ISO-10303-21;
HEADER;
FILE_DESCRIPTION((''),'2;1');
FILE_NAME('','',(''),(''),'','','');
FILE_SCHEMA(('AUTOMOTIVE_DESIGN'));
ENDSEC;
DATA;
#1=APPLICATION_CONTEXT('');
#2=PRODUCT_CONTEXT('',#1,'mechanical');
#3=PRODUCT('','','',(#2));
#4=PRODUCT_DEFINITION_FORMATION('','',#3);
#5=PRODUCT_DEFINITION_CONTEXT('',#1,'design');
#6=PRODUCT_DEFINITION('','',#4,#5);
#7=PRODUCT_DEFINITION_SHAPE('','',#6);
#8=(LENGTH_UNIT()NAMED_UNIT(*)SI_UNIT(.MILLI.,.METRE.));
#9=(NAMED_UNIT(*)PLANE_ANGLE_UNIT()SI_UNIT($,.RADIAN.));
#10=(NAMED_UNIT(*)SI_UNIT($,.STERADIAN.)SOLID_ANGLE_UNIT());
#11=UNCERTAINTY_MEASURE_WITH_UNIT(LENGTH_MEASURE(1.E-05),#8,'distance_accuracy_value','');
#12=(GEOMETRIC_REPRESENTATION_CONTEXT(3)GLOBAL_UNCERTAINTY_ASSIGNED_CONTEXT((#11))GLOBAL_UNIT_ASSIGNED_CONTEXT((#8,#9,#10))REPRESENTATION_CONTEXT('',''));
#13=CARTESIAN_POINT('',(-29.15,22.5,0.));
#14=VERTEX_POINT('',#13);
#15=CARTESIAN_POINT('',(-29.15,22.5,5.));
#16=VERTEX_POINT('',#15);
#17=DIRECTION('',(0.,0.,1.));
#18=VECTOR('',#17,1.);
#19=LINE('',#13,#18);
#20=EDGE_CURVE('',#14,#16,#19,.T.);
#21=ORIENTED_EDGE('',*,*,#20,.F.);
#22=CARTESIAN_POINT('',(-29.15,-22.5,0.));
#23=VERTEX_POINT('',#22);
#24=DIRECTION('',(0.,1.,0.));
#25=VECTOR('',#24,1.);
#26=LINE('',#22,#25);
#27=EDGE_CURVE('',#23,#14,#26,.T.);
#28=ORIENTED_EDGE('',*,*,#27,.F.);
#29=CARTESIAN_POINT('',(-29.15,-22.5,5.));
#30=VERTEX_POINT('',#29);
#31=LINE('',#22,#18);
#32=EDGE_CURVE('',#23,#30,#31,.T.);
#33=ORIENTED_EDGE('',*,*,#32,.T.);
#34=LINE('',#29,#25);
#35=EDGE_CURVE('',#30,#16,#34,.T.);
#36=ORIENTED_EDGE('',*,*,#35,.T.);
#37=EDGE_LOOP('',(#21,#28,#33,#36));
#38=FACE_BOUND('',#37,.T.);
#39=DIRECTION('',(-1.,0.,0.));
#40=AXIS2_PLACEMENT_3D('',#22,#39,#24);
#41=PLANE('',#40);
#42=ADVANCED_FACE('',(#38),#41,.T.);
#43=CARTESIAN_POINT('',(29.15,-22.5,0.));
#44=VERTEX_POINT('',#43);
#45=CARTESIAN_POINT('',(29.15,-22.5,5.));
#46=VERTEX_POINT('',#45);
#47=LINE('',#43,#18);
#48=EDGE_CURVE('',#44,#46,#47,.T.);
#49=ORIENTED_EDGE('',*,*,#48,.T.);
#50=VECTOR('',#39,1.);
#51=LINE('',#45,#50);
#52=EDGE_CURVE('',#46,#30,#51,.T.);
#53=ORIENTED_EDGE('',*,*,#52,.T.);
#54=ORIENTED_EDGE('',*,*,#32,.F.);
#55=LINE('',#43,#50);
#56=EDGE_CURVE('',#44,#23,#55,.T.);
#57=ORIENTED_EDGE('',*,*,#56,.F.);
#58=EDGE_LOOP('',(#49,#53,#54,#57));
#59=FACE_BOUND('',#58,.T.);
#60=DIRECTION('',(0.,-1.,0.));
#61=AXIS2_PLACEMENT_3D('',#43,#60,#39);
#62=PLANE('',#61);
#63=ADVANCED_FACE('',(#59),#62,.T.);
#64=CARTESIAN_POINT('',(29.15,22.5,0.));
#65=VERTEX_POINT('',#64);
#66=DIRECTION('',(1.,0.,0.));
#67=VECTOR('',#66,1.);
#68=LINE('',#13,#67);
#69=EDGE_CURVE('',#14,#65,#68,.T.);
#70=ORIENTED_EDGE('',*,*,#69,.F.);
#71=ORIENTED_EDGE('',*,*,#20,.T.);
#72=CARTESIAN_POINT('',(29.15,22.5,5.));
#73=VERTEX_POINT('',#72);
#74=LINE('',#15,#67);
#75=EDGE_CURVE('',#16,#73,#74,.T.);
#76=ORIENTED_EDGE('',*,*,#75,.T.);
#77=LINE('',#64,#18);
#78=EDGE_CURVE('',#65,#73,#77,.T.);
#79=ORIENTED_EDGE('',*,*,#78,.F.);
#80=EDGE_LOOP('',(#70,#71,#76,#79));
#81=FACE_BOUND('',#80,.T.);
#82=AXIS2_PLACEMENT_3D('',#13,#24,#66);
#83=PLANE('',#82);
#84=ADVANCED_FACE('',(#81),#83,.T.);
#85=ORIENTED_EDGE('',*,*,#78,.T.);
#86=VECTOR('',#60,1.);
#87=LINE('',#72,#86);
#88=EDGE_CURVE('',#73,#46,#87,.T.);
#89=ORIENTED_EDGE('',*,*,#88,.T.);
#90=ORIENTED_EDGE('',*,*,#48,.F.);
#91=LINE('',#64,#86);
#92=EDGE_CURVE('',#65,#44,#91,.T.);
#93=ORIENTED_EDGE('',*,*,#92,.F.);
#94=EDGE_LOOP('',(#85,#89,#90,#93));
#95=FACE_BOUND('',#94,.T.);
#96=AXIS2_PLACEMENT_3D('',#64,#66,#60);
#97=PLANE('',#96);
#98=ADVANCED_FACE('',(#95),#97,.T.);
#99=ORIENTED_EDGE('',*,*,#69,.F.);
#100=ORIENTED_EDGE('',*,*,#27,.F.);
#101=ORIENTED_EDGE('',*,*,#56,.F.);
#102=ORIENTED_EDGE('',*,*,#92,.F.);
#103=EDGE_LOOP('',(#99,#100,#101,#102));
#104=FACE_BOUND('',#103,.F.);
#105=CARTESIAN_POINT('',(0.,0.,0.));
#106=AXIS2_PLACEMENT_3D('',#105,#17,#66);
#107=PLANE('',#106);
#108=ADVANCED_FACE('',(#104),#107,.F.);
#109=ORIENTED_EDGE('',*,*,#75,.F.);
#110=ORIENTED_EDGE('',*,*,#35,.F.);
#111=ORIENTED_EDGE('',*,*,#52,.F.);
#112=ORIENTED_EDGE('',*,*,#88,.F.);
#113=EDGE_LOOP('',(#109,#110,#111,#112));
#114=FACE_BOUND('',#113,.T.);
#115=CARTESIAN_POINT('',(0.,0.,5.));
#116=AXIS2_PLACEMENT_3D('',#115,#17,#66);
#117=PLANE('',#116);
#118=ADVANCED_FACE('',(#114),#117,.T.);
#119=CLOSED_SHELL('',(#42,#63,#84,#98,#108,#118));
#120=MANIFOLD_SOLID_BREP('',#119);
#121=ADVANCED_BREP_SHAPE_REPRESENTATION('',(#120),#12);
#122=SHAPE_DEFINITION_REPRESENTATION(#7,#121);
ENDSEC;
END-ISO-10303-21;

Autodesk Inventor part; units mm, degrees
ref_plane "YZ Plane" through (0, 0, 0) normal (1, 0, 0) x (0, 1, 0)
ref_plane "XZ Plane" through (0, 0, 0) normal (0, 1, 0) x (-1, 0, 0)
ref_plane "XY Plane" through (0, 0, 0) normal (0, 0, 1) x (1, 0, 0)
sketch "スケッチ1" plane through (0, 0, 0) normal (0, 0, 1) x (1, 0, 0)
  line L0 (-29.15, 22.5) -> (29.15, 22.5)
  line L1 (29.15, 22.5) -> (29.15, -22.5)
  line L2 (29.15, -22.5) -> (-29.15, -22.5)
  line L3 (-29.15, -22.5) -> (-29.15, 22.5)
  line L4 (-24.15, 19.5) -> (24.15, 19.5) construction
  line L5 (24.15, 19.5) -> (24.15, -19.5) construction
  line L6 (24.15, -19.5) -> (-24.15, -19.5) construction
  line L7 (-24.15, -19.5) -> (-24.15, 19.5) construction
  line L8 (24.15, 19.5) -> (-24.15, -19.5) construction
  line L9 (-24.15, -17.5721) -> (-24.15, 19.5)
  line L10 (-24.15, 19.5) -> (21.7623, 19.5)
  line L11 (21.7623, 19.5) -> (-24.15, -17.5721)
  line L12 (-21.7623, -19.5) -> (24.15, -19.5)
  line L13 (24.15, -19.5) -> (24.15, 17.5721)
  line L14 (24.15, 17.5721) -> (-21.7623, -19.5)
  line L15 (-29.15, 20) -> (29.15, 20) construction
  line L16 (29.15, -20) -> (-29.15, -20) construction
  line L17 (29.15, 20) -> (29.15, -20) construction
  point P0 (0, 0)
  point P1 (0, 19.5)
  point P2 (0, 22.5)
  point P3 (24.15, 0)
  point P4 (29.15, 0)
  dimension "d0" = 5
  dimension "d1" = 3
  dimension "d2" = 1.5
  dimension "d3" = 40
  dimension "d4" = 2.5
  dimension "d19" = 58.3
extrude "押し出し1" add sketch "スケッチ1" along normal blind 5 contours L0 L1 L2 L3 | L9 L10 L11 | L14 L13 L12
fillet "フィレット1" [suppressed]
equation "\"d3\" = d11"
equation "\"d11\" = 40"
properties part number "リンク_ふくらはぎ_サブフレーム_1_1(予備案)" material "アルミニウム 2014-T4"
